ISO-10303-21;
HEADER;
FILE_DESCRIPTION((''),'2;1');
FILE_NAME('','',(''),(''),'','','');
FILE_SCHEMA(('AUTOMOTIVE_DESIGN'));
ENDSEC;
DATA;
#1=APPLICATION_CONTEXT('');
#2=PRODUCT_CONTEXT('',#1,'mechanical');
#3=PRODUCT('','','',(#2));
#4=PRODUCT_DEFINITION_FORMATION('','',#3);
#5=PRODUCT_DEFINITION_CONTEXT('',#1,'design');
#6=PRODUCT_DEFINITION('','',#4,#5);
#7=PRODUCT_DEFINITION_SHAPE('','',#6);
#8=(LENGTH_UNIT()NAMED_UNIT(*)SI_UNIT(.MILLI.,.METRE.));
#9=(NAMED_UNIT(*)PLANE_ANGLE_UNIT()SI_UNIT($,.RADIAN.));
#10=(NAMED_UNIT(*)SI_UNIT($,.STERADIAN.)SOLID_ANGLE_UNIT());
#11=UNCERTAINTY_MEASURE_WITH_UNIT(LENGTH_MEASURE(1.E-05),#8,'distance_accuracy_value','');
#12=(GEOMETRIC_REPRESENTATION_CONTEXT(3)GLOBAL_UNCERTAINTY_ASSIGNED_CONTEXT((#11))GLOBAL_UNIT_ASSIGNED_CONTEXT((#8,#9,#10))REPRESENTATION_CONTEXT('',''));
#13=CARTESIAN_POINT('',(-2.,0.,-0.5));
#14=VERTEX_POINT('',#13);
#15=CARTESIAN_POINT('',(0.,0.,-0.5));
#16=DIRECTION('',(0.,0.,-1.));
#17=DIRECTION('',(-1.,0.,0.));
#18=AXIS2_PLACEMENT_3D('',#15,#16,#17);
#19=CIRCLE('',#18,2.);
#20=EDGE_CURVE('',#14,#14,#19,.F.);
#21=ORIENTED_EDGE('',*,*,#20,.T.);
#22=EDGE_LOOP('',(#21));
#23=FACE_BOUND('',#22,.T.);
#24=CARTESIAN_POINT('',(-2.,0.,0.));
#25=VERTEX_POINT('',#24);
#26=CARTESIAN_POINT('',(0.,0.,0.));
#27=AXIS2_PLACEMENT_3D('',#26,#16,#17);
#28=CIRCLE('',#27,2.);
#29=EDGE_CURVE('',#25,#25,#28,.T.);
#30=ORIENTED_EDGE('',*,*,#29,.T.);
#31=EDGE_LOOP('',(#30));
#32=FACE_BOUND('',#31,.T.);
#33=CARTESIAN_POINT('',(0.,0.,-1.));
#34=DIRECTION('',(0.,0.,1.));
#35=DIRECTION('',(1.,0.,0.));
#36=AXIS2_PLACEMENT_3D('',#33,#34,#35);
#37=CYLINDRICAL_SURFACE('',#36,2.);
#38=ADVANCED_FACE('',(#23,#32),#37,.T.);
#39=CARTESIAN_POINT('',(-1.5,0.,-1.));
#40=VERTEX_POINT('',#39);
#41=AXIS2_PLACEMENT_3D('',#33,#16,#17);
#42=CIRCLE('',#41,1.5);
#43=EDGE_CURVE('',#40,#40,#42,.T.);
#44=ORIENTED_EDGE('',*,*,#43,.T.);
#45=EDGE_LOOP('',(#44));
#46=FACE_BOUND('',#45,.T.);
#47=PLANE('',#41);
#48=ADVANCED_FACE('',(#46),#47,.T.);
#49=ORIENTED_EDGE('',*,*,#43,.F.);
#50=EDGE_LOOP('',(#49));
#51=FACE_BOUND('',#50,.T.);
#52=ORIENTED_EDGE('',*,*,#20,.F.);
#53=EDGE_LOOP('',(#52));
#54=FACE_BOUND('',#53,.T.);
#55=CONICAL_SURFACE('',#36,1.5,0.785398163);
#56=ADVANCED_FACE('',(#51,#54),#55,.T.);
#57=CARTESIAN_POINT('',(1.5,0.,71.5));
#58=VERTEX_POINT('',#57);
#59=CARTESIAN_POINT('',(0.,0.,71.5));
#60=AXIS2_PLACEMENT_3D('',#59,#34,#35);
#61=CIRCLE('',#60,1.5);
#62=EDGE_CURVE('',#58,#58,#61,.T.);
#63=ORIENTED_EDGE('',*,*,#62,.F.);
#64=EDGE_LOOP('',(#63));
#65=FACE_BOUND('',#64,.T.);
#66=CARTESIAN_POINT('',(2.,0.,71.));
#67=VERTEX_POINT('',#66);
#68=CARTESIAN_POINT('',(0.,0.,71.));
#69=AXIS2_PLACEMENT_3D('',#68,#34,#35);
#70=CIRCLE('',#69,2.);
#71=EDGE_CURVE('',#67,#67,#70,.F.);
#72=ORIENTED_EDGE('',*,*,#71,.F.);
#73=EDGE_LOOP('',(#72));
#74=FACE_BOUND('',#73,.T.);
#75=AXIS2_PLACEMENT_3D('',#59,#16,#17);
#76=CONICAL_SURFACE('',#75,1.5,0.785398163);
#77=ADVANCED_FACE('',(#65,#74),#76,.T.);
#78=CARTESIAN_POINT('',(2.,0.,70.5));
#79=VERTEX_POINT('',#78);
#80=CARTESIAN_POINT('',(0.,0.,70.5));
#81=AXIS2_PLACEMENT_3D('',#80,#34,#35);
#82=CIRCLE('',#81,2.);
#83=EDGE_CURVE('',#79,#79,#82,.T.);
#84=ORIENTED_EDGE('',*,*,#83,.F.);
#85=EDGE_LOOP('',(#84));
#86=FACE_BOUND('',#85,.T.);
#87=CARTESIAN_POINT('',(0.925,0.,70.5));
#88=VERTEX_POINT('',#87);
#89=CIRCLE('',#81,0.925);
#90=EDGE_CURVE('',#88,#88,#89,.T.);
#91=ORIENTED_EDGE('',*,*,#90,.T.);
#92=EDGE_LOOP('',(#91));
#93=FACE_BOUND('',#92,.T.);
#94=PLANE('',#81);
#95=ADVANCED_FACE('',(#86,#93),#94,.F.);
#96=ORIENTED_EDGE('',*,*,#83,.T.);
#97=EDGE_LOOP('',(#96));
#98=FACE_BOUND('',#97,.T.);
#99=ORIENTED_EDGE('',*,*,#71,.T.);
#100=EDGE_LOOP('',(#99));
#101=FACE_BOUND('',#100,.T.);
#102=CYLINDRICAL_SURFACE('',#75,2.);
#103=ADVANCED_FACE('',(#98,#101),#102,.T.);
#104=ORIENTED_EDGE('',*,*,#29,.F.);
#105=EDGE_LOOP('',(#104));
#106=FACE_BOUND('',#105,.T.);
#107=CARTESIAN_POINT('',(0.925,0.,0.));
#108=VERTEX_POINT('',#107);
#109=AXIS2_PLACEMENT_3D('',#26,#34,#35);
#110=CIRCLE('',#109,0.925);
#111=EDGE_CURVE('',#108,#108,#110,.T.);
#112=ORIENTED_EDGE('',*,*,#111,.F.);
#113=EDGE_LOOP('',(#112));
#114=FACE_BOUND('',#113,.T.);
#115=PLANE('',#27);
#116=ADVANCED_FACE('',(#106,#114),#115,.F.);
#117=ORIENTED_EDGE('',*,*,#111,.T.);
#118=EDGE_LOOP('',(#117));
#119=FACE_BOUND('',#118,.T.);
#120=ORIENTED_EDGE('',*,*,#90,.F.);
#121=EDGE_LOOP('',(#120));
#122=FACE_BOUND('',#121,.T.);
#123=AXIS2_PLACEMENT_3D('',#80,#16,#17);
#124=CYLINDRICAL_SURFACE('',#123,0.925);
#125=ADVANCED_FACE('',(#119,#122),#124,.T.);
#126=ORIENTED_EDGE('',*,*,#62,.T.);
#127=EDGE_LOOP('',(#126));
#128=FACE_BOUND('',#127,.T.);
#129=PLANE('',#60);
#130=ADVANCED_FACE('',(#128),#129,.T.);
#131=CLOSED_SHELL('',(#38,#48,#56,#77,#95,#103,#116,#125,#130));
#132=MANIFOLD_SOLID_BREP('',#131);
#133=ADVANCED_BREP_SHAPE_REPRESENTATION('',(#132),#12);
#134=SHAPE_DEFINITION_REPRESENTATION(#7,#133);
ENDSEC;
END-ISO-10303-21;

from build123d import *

# Parameters (mm, degrees)
SKETCH_1_R      = 0.925
EXTRUDE_1_DEPTH = 70.5
SKETCH_2_R      = 2
EXTRUDE_2_DEPTH = 1
EXTRUDE_START   = 1
SKETCH_3_R      = 2
EXTRUDE_3_DEPTH = 1
CHAMFER_1_SIZE  = 0.5
CHAMFER_2_SIZE  = 0.5


with BuildPart() as part:
    # 스케치1 → 보스-돌출1 (new body)
    with BuildSketch(Plane.XY):
        Circle(SKETCH_1_R)
    extrude(amount=EXTRUDE_1_DEPTH)

    # 스케치2 → 보스-돌출2 (add)
    with BuildSketch(Plane.XY.offset(70.5)):
        Circle(SKETCH_2_R)
    extrude(amount=EXTRUDE_2_DEPTH)

    # 스케치3 → 보스-돌출3 (add)
    with BuildSketch(Plane(origin=(0, 0, 0), x_dir=(-1, 0, 0), z_dir=(0, 0, -1)).offset(EXTRUDE_START)):
        with Locations(Location((0, 0, 0), (0, 0, 180))):
            Circle(SKETCH_3_R)
    extrude(amount=-EXTRUDE_3_DEPTH)

    # 모따기1
    chamfer_1_edges = [part.edges().sort_by_distance(p)[0] for p in [
        (-2, 0, 71.5),
    ]]
    chamfer(chamfer_1_edges, length=CHAMFER_1_SIZE)

    # 모따기2
    chamfer_2_edges = [part.edges().sort_by_distance(p)[0] for p in [
        (-2, 0, -1),
    ]]
    chamfer(chamfer_2_edges, length=CHAMFER_2_SIZE)


solid = part.part
